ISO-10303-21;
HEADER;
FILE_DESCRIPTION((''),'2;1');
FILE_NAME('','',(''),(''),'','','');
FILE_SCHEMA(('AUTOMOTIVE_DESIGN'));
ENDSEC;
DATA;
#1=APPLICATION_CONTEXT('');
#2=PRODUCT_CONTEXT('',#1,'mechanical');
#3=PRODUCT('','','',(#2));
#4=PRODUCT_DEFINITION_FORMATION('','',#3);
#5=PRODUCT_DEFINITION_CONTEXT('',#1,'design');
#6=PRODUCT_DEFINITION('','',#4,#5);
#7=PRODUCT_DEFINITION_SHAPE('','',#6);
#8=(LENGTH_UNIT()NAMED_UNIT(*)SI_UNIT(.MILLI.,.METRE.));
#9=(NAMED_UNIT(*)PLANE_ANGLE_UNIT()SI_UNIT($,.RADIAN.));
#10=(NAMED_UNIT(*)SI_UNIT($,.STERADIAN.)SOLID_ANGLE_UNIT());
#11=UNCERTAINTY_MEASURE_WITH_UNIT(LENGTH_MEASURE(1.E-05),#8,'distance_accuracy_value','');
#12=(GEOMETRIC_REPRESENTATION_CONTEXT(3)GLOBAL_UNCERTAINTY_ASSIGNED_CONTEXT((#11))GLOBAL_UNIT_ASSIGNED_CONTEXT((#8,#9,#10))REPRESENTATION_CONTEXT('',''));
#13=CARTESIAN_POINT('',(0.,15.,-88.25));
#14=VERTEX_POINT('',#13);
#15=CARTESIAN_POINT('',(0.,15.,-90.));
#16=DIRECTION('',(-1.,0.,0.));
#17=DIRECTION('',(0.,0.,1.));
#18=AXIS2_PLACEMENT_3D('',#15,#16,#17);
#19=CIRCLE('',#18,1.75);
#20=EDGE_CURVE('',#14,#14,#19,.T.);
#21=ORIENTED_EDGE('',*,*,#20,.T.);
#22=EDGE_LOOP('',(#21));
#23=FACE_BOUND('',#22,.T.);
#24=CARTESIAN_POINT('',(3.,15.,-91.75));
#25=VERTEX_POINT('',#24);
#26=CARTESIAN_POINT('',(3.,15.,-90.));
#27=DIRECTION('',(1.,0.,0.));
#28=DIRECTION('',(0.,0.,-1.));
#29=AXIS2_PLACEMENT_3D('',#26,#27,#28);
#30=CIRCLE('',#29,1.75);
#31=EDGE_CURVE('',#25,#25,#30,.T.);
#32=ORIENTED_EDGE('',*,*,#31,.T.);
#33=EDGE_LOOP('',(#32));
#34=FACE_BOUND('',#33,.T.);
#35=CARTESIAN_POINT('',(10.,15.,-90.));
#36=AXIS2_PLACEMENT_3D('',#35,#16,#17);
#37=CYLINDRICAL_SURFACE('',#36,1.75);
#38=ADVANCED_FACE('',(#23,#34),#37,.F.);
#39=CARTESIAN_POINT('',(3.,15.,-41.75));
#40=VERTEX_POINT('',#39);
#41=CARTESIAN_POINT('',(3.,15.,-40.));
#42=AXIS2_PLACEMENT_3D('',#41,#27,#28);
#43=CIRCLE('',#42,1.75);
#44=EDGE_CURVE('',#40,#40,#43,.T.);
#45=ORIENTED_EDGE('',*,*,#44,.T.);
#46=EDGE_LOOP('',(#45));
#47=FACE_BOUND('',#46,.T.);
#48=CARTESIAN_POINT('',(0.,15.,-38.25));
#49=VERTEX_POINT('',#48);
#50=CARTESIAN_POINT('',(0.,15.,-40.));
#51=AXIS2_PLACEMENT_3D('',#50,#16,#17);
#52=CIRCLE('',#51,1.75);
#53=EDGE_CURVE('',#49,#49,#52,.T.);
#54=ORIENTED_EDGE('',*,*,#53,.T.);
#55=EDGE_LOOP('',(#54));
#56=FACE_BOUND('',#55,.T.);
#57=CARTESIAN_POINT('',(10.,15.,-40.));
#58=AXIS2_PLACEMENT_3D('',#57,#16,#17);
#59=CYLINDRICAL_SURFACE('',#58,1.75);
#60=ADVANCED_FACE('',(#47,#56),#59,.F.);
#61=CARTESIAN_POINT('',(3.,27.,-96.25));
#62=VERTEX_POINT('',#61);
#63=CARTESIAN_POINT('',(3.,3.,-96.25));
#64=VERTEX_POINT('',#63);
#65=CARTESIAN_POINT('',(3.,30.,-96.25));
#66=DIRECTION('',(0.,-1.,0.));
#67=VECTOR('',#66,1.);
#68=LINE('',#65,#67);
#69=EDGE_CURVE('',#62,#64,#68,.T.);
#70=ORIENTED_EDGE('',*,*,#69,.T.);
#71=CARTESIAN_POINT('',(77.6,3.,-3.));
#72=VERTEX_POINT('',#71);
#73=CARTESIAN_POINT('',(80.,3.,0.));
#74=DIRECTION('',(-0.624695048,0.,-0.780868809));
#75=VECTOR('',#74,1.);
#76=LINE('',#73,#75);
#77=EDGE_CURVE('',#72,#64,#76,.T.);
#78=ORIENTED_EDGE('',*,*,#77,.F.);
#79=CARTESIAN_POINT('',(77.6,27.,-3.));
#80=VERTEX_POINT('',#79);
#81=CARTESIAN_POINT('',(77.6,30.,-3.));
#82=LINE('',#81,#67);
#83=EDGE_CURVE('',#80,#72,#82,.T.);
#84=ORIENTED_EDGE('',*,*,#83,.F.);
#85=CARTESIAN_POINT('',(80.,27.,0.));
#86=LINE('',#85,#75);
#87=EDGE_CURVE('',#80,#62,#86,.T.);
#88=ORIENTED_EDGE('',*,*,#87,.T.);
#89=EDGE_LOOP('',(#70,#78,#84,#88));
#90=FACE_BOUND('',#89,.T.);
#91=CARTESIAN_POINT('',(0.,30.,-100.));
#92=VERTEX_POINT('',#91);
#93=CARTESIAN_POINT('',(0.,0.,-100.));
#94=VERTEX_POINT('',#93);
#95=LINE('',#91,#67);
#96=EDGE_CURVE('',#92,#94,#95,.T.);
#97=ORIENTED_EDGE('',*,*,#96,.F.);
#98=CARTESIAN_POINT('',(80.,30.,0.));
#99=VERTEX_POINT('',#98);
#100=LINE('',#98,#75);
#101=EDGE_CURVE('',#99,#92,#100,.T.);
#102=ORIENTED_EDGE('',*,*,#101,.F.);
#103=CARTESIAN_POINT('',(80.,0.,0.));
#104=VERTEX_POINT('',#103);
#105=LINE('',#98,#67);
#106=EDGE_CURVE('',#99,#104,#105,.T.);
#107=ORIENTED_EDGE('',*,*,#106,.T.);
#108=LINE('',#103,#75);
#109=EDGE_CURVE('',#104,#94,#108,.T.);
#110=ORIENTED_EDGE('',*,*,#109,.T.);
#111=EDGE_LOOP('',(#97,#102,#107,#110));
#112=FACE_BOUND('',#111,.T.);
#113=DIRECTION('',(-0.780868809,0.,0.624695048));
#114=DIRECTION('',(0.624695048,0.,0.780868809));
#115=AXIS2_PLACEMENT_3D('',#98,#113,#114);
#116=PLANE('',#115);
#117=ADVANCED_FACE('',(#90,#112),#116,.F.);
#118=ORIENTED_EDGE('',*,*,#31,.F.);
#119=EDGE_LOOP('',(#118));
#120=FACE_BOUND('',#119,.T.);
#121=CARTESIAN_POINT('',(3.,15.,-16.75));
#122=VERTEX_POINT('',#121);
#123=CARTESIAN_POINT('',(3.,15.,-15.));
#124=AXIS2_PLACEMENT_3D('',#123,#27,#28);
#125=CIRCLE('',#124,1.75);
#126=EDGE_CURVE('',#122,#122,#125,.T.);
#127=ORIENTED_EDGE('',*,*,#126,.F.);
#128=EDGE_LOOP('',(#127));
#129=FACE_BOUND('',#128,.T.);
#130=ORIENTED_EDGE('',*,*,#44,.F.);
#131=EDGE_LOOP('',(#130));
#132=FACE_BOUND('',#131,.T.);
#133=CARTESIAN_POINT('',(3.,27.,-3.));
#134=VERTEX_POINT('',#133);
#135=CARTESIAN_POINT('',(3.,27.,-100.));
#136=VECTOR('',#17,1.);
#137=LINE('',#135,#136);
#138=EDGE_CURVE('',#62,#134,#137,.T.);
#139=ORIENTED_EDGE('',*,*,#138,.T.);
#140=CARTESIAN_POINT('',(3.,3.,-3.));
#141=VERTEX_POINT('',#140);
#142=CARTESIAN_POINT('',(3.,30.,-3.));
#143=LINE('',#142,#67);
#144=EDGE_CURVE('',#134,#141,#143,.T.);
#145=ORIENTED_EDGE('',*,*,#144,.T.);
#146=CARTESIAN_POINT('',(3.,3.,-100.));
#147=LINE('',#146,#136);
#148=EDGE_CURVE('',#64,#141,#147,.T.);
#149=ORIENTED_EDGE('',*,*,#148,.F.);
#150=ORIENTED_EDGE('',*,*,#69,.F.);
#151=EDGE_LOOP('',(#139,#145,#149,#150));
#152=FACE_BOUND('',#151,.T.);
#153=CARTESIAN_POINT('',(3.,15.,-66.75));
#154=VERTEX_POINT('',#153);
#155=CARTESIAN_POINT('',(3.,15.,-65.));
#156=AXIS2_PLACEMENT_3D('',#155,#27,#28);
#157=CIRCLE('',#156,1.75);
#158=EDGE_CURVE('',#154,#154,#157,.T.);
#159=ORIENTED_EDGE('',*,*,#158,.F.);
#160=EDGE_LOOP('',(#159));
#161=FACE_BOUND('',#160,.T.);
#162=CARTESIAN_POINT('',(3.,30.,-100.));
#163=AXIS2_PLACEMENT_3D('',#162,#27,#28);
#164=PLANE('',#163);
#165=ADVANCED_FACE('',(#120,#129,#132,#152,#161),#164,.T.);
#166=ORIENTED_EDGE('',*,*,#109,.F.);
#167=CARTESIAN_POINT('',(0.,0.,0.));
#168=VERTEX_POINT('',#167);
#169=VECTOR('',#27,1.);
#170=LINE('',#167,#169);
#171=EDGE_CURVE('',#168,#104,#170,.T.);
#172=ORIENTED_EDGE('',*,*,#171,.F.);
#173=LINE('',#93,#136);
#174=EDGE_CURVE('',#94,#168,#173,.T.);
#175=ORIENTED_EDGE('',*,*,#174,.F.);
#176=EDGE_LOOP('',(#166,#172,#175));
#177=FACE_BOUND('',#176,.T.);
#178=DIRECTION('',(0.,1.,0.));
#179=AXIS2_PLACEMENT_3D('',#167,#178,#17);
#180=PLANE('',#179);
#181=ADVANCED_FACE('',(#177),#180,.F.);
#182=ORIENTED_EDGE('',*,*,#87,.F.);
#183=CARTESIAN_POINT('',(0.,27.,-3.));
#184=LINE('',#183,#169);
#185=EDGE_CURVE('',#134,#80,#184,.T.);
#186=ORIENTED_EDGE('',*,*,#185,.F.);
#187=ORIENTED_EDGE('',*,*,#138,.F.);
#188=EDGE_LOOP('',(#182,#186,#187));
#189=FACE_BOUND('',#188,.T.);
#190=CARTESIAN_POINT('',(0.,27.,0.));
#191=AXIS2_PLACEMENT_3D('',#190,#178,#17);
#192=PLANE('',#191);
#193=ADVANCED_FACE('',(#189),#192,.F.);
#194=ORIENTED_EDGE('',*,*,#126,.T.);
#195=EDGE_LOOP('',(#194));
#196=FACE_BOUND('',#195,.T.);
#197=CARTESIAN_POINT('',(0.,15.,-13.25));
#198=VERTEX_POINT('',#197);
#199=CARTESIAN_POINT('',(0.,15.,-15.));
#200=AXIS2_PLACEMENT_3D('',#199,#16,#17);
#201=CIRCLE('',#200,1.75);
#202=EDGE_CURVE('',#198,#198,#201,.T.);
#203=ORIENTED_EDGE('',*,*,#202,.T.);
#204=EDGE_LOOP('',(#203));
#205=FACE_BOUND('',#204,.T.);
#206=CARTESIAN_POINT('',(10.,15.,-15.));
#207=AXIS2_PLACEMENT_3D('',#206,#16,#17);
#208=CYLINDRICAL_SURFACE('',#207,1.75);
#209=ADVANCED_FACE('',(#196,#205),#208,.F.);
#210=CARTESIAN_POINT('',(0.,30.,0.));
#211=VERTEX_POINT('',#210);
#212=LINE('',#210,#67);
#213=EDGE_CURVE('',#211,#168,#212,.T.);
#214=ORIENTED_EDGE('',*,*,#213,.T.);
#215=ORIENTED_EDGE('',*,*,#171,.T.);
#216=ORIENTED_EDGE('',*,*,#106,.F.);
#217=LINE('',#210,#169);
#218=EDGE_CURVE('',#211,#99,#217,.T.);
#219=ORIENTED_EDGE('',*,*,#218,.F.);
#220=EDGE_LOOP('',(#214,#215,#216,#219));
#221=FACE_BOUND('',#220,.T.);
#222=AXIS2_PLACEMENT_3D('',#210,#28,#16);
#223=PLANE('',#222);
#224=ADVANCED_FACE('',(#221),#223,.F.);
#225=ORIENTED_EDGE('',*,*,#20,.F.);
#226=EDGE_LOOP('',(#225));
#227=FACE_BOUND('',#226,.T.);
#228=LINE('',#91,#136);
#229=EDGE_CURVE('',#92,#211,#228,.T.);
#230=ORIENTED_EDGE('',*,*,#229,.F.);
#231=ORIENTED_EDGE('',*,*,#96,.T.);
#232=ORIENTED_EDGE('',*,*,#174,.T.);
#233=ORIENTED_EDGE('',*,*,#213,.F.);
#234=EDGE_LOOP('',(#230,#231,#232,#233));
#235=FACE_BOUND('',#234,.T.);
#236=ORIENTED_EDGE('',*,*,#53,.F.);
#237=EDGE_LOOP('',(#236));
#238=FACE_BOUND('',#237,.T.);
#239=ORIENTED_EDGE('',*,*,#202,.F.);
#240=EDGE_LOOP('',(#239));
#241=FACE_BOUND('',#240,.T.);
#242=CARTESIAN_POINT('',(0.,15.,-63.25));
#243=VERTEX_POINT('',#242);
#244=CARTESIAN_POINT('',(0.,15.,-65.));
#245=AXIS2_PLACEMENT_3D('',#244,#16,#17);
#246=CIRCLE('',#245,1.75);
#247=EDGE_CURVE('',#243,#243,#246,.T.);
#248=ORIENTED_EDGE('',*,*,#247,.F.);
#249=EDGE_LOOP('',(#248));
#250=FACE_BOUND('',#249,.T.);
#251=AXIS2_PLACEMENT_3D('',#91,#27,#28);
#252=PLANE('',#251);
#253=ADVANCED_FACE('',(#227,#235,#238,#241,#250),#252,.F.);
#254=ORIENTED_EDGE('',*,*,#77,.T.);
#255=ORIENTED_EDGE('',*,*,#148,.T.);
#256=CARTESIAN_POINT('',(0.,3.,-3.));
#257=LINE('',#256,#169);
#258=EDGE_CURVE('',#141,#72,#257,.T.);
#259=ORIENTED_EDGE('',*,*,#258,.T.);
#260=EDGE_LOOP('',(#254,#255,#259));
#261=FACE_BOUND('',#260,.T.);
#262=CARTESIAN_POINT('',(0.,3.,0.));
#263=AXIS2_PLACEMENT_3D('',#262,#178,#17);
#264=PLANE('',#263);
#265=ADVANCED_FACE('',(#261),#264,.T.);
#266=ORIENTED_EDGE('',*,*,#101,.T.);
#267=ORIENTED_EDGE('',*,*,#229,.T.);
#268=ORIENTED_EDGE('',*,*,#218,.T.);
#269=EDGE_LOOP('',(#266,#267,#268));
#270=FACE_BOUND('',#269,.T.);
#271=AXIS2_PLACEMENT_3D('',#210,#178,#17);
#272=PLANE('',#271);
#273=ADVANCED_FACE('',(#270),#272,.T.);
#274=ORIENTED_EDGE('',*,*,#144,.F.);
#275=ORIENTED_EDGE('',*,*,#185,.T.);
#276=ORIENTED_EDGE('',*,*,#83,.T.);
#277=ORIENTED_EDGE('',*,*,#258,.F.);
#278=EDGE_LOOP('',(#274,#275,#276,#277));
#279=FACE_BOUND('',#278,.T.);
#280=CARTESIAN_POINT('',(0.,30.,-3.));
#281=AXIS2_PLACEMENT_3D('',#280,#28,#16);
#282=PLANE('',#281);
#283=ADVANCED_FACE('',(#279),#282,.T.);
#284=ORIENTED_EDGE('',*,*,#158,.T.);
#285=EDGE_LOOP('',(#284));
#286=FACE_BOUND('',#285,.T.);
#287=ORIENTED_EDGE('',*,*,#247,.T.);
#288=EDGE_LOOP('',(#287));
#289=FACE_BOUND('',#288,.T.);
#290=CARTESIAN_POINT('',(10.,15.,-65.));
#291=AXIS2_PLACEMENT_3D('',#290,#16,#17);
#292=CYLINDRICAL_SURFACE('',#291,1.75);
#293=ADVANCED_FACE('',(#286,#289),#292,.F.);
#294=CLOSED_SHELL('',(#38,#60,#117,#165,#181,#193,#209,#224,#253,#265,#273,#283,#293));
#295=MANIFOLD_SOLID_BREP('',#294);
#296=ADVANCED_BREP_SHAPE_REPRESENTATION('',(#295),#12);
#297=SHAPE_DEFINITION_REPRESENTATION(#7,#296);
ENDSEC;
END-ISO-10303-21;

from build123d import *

# Parameters (mm, degrees)
BOSS_EXTRUDE1_DEPTH = 30
SHELL1_T            = -3
SKETCH2_R           = 1.75
CUT_EXTRUDE1_DEPTH  = 10


with BuildPart() as part:
    # Sketch1 → Boss-Extrude1 (new body)
    with BuildSketch(Plane(origin=(0, 0, 0), x_dir=(1, 0, 0), z_dir=(0, 1, 0))):
        Polygon((0, 0), (80, 0), (0, 100), align=None)
    extrude(amount=BOSS_EXTRUDE1_DEPTH)

    # Shell1
    shell1_openings = [part.faces().sort_by_distance(p)[0] for p in [
        (40, 15, -50),
    ]]
    offset(amount=SHELL1_T, openings=shell1_openings, kind=Kind.INTERSECTION)

    # Sketch2 → Cut-Extrude1 (cut)
    with BuildSketch(Plane.ZY):
        with Locations((-15, 15)):
            Circle(SKETCH2_R)
        with Locations((-40, 15)):
            Circle(SKETCH2_R)
        with Locations((-65, 15)):
            Circle(SKETCH2_R)
        with Locations((-90, 15)):
            Circle(SKETCH2_R)
    extrude(amount=-CUT_EXTRUDE1_DEPTH, mode=Mode.SUBTRACT)


solid = part.part
